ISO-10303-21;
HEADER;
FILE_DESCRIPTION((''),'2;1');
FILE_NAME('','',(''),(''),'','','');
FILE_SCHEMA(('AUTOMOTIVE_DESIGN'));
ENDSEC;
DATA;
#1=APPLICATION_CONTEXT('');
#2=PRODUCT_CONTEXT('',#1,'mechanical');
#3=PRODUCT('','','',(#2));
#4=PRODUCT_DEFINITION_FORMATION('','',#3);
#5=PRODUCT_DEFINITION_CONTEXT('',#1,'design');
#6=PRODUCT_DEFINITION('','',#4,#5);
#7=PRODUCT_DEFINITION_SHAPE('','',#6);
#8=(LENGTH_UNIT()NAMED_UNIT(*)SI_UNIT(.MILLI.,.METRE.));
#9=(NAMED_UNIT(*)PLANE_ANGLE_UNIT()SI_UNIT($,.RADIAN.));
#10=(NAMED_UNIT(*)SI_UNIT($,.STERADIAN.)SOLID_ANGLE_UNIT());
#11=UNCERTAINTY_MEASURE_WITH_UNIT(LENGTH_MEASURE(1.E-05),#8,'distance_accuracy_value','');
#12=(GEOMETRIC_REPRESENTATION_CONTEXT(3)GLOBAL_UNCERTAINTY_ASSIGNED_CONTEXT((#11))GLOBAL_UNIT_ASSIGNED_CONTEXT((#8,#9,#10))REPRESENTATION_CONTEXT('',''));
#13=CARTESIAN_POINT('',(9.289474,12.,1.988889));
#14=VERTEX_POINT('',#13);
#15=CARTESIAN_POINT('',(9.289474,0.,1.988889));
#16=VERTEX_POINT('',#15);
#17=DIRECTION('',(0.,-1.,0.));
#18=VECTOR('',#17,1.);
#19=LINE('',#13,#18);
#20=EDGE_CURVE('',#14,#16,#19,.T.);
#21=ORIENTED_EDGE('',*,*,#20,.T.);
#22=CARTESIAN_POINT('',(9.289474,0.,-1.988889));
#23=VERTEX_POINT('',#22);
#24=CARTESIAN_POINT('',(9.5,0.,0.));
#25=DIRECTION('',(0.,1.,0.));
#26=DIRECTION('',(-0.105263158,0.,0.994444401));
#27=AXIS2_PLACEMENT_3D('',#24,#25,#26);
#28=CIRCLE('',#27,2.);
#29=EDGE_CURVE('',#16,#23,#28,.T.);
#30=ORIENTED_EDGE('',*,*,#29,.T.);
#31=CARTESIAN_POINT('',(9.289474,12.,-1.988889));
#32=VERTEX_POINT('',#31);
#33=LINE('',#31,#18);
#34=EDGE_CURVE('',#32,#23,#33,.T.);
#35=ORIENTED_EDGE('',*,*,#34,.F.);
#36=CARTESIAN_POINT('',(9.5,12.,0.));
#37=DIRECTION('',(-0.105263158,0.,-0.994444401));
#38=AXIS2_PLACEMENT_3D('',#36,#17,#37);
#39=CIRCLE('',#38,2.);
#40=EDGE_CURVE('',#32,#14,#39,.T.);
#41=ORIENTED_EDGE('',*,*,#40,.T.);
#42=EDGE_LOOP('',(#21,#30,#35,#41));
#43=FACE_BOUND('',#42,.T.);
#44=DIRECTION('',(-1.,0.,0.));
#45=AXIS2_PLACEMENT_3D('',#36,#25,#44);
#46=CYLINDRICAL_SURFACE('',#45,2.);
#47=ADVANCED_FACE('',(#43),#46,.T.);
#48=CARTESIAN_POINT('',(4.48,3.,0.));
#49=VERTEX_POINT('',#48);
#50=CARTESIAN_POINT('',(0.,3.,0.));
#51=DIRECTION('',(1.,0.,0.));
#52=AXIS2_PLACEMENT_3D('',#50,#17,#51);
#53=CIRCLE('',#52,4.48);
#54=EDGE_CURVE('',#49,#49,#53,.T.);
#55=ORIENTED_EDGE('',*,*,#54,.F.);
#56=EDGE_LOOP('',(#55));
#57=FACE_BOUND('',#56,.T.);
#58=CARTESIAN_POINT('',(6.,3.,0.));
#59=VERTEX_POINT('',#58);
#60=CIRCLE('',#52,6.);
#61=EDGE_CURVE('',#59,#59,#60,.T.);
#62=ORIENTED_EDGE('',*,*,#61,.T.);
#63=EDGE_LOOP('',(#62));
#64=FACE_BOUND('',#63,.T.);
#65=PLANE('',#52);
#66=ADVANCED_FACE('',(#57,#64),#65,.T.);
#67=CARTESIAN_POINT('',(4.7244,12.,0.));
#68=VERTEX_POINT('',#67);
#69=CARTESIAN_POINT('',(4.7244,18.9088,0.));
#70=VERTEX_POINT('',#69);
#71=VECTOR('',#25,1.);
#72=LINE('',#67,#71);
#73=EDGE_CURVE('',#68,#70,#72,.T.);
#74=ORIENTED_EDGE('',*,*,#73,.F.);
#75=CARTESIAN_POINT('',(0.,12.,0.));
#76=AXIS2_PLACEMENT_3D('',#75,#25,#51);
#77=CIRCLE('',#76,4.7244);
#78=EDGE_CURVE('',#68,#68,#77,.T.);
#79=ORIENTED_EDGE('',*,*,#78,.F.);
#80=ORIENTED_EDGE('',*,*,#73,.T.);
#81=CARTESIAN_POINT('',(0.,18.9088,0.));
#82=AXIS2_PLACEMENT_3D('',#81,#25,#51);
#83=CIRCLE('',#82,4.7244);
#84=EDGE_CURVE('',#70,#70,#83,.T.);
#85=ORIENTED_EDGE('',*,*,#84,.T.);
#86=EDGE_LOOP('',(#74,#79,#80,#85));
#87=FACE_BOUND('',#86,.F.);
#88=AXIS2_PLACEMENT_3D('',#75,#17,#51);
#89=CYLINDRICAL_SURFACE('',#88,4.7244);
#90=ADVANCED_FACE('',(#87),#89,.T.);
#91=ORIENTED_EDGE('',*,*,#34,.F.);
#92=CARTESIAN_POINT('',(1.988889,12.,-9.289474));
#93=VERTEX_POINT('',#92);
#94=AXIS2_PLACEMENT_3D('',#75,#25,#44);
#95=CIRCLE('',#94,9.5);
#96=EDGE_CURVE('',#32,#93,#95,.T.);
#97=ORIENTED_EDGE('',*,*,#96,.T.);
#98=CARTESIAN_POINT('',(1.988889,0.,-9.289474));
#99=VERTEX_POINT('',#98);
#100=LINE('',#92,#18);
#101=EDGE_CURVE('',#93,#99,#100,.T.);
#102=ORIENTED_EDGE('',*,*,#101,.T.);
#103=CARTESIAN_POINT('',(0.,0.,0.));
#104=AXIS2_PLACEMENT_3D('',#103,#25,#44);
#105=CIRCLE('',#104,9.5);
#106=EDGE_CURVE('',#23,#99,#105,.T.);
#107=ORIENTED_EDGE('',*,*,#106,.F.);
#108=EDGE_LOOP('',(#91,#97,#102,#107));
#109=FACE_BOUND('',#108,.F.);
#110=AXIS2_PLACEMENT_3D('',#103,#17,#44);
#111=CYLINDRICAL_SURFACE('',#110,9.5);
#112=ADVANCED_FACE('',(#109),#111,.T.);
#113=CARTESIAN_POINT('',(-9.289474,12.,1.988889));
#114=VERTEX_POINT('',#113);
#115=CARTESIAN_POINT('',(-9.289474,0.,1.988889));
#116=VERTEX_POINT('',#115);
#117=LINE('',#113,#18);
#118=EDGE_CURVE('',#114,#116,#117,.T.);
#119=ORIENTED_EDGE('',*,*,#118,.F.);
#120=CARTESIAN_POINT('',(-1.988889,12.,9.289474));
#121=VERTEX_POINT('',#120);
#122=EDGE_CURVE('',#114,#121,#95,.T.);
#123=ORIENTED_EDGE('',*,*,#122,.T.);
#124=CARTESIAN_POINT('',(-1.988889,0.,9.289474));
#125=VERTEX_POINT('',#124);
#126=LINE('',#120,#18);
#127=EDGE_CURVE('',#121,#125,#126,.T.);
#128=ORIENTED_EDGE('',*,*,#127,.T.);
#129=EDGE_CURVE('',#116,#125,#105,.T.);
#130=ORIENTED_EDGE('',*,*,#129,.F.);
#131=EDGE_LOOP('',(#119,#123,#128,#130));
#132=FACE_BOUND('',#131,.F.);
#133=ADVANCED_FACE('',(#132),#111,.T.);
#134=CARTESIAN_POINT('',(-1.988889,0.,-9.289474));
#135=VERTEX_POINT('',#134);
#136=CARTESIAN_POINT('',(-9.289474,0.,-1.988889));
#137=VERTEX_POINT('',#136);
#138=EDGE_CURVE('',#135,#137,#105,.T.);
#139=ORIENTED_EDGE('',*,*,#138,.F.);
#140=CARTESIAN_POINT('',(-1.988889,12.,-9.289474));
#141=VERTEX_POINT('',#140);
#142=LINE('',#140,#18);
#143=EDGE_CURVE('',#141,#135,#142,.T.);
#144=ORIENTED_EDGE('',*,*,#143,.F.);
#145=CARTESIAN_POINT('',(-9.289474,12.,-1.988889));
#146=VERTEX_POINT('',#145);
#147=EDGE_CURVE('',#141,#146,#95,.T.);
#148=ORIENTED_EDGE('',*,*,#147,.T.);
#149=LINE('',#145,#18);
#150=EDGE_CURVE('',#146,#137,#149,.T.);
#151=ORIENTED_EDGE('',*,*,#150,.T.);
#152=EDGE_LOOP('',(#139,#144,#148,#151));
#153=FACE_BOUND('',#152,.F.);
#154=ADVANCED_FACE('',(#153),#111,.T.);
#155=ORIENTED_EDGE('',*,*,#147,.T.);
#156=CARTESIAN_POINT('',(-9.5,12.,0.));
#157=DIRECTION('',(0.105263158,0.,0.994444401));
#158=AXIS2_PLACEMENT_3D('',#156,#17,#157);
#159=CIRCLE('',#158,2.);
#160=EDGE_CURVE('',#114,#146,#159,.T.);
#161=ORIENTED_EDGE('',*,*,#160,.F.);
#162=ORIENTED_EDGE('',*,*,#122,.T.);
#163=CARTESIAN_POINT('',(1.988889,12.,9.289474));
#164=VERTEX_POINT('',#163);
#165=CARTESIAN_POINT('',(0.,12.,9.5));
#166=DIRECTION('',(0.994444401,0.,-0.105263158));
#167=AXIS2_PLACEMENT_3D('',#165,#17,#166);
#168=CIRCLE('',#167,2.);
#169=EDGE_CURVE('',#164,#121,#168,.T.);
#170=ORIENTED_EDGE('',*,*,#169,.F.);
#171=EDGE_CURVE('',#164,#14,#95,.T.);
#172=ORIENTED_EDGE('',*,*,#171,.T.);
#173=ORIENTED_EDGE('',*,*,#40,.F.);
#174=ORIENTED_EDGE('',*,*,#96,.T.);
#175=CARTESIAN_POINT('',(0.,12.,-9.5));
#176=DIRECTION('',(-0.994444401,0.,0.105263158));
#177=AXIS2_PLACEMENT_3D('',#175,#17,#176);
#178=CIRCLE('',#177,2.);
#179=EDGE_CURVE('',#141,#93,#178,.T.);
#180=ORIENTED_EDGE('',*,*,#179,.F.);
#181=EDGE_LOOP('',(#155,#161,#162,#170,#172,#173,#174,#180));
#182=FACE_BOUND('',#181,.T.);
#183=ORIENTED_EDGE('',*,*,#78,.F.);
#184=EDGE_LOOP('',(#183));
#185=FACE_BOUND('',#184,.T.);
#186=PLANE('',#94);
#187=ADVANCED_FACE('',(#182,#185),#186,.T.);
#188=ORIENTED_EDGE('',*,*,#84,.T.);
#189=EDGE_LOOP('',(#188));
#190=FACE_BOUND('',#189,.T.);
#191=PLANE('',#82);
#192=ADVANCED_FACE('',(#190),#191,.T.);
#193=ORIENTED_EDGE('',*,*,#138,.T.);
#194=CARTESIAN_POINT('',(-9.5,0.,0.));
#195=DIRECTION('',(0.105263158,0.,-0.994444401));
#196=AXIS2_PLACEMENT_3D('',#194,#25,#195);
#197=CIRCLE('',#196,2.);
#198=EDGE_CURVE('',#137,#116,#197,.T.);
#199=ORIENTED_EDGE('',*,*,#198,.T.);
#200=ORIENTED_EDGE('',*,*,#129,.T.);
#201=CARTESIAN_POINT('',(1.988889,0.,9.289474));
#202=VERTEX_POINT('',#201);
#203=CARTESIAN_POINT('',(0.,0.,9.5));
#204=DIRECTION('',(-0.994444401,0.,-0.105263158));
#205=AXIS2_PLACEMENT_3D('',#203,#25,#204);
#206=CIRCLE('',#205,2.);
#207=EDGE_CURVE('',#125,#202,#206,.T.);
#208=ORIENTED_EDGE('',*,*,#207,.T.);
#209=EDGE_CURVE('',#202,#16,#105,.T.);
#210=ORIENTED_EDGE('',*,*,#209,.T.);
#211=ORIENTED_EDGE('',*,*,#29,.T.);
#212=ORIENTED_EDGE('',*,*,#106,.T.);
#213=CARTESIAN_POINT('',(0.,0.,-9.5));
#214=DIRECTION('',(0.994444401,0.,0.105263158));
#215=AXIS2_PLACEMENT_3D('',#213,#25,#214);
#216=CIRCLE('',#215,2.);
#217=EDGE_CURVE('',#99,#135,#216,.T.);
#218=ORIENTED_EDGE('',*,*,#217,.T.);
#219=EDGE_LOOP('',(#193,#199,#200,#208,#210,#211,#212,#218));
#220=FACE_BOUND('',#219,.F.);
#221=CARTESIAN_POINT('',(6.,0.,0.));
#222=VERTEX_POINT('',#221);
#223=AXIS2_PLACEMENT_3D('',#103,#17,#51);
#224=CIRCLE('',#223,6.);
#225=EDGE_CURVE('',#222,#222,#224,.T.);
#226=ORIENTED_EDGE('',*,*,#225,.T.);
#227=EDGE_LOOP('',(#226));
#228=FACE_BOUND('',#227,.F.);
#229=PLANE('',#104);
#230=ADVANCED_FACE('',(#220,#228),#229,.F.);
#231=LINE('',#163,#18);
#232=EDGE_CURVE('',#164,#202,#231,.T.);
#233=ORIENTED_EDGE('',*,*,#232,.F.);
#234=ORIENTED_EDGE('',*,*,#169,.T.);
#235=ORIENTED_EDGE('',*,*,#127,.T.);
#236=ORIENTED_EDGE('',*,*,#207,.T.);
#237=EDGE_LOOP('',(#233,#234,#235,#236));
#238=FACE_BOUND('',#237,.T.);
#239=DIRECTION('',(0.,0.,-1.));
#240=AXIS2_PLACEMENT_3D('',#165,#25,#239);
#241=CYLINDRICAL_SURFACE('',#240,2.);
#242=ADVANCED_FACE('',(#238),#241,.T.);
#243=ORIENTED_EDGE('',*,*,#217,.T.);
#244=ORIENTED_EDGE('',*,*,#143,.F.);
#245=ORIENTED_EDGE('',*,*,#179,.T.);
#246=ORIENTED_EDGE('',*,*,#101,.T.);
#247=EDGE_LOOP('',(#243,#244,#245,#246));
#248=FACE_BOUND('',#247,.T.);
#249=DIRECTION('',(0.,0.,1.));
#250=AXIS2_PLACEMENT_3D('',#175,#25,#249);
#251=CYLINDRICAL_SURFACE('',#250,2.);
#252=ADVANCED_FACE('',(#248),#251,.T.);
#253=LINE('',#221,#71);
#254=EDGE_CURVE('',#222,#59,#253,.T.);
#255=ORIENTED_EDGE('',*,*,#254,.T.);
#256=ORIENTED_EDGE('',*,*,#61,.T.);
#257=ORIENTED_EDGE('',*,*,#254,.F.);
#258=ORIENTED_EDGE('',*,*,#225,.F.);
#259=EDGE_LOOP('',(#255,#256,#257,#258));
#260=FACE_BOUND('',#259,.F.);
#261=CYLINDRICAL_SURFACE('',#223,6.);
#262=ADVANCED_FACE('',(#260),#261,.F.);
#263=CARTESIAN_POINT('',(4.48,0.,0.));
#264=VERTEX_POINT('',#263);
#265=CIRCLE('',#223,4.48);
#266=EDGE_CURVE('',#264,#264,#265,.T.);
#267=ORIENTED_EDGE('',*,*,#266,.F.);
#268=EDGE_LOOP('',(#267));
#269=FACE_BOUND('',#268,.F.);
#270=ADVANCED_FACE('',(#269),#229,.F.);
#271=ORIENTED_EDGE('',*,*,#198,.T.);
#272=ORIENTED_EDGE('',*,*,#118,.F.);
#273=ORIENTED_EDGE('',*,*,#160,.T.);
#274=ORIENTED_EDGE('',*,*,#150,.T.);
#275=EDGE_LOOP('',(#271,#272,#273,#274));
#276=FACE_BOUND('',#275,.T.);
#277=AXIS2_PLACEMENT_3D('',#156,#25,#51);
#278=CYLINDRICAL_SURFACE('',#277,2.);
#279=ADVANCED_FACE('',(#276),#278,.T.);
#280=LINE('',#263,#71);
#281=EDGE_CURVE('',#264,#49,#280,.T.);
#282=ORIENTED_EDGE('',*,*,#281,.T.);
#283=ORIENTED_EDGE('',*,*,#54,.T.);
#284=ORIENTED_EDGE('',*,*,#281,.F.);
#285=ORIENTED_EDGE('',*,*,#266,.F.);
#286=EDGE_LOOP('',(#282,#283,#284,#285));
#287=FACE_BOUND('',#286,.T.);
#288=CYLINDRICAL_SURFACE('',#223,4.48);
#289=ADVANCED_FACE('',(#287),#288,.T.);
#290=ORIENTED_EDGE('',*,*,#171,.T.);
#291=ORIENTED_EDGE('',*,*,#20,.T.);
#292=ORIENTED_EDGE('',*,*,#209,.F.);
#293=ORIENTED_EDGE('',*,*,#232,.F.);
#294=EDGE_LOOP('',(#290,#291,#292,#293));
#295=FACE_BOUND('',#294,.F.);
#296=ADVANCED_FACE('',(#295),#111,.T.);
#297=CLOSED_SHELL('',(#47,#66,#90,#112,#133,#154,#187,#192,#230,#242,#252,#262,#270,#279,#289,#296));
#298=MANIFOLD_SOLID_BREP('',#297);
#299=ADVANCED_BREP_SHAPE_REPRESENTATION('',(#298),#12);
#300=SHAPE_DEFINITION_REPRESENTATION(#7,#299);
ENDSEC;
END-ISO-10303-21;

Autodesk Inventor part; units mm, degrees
ref_plane "YZ Plane" through (0, 0, 0) normal (1, 0, 0) x (0, 1, 0)
ref_plane "XZ Plane" through (0, 0, 0) normal (0, 1, 0) x (-1, 0, 0)
ref_plane "XY Plane" through (0, 0, 0) normal (0, 0, 1) x (1, 0, 0)
sketch "Sketch1" plane through (0, 0, 0) normal (0, 1, 0) x (-1, 0, 0)
  circle A0 centre (0, 0) radius 9.5
  dimension "d0" = 19
extrude "Extrusion1" add sketch "Sketch1" along normal blind 12
sketch "Sketch2" plane through (0, 12, 0) normal (0, 1, 0) x (1, 0, 0)
  circle A0 centre (0, 0) radius 4.7244
  dimension "d9" = 9.4488
extrude "Extrusion2" add sketch "Sketch2" along normal blind 6.9088
sketch "Sketch3" plane through (0, 0, 0) normal (0, -1, 0) x (1, 0, 0)
  circle A0 centre (0, 0) radius 4.48
  circle A1 centre (0, 0) radius 6
  dimension "d5" = 12
  dimension "d6" = 1.52
extrude "Extrusion3" cut sketch "Sketch3" against normal blind 3
sketch "Sketch4" plane through (0, 12, 0) normal (0, 1, 0) x (1, 0, 0)
  circle A0 centre (0, 0) radius 9.5 projected
  circle A1 centre (-9.5, 0) radius 2
  line L0 (-15.7, 0) -> (13.7, 0) projected
  point P0 (-9.2895, 1.9889)
  point P1 (-9.2895, -1.9889)
  dimension "d10" = 4
extrude "Extrusion4" add sketch "Sketch4" against normal up to surface (12 mm away) contours A0 L0 A1 | A1 L0 A0 picked at (-10.0838, 0.5297) picked at (-10.0838, -0.5297)
pattern_circular "Circular Pattern1" count 4 over 360 about axis through (0, 0, 0) along (0, 1, 0) of "Extrusion4"
properties part number "Acople Resorte-Marcador"
